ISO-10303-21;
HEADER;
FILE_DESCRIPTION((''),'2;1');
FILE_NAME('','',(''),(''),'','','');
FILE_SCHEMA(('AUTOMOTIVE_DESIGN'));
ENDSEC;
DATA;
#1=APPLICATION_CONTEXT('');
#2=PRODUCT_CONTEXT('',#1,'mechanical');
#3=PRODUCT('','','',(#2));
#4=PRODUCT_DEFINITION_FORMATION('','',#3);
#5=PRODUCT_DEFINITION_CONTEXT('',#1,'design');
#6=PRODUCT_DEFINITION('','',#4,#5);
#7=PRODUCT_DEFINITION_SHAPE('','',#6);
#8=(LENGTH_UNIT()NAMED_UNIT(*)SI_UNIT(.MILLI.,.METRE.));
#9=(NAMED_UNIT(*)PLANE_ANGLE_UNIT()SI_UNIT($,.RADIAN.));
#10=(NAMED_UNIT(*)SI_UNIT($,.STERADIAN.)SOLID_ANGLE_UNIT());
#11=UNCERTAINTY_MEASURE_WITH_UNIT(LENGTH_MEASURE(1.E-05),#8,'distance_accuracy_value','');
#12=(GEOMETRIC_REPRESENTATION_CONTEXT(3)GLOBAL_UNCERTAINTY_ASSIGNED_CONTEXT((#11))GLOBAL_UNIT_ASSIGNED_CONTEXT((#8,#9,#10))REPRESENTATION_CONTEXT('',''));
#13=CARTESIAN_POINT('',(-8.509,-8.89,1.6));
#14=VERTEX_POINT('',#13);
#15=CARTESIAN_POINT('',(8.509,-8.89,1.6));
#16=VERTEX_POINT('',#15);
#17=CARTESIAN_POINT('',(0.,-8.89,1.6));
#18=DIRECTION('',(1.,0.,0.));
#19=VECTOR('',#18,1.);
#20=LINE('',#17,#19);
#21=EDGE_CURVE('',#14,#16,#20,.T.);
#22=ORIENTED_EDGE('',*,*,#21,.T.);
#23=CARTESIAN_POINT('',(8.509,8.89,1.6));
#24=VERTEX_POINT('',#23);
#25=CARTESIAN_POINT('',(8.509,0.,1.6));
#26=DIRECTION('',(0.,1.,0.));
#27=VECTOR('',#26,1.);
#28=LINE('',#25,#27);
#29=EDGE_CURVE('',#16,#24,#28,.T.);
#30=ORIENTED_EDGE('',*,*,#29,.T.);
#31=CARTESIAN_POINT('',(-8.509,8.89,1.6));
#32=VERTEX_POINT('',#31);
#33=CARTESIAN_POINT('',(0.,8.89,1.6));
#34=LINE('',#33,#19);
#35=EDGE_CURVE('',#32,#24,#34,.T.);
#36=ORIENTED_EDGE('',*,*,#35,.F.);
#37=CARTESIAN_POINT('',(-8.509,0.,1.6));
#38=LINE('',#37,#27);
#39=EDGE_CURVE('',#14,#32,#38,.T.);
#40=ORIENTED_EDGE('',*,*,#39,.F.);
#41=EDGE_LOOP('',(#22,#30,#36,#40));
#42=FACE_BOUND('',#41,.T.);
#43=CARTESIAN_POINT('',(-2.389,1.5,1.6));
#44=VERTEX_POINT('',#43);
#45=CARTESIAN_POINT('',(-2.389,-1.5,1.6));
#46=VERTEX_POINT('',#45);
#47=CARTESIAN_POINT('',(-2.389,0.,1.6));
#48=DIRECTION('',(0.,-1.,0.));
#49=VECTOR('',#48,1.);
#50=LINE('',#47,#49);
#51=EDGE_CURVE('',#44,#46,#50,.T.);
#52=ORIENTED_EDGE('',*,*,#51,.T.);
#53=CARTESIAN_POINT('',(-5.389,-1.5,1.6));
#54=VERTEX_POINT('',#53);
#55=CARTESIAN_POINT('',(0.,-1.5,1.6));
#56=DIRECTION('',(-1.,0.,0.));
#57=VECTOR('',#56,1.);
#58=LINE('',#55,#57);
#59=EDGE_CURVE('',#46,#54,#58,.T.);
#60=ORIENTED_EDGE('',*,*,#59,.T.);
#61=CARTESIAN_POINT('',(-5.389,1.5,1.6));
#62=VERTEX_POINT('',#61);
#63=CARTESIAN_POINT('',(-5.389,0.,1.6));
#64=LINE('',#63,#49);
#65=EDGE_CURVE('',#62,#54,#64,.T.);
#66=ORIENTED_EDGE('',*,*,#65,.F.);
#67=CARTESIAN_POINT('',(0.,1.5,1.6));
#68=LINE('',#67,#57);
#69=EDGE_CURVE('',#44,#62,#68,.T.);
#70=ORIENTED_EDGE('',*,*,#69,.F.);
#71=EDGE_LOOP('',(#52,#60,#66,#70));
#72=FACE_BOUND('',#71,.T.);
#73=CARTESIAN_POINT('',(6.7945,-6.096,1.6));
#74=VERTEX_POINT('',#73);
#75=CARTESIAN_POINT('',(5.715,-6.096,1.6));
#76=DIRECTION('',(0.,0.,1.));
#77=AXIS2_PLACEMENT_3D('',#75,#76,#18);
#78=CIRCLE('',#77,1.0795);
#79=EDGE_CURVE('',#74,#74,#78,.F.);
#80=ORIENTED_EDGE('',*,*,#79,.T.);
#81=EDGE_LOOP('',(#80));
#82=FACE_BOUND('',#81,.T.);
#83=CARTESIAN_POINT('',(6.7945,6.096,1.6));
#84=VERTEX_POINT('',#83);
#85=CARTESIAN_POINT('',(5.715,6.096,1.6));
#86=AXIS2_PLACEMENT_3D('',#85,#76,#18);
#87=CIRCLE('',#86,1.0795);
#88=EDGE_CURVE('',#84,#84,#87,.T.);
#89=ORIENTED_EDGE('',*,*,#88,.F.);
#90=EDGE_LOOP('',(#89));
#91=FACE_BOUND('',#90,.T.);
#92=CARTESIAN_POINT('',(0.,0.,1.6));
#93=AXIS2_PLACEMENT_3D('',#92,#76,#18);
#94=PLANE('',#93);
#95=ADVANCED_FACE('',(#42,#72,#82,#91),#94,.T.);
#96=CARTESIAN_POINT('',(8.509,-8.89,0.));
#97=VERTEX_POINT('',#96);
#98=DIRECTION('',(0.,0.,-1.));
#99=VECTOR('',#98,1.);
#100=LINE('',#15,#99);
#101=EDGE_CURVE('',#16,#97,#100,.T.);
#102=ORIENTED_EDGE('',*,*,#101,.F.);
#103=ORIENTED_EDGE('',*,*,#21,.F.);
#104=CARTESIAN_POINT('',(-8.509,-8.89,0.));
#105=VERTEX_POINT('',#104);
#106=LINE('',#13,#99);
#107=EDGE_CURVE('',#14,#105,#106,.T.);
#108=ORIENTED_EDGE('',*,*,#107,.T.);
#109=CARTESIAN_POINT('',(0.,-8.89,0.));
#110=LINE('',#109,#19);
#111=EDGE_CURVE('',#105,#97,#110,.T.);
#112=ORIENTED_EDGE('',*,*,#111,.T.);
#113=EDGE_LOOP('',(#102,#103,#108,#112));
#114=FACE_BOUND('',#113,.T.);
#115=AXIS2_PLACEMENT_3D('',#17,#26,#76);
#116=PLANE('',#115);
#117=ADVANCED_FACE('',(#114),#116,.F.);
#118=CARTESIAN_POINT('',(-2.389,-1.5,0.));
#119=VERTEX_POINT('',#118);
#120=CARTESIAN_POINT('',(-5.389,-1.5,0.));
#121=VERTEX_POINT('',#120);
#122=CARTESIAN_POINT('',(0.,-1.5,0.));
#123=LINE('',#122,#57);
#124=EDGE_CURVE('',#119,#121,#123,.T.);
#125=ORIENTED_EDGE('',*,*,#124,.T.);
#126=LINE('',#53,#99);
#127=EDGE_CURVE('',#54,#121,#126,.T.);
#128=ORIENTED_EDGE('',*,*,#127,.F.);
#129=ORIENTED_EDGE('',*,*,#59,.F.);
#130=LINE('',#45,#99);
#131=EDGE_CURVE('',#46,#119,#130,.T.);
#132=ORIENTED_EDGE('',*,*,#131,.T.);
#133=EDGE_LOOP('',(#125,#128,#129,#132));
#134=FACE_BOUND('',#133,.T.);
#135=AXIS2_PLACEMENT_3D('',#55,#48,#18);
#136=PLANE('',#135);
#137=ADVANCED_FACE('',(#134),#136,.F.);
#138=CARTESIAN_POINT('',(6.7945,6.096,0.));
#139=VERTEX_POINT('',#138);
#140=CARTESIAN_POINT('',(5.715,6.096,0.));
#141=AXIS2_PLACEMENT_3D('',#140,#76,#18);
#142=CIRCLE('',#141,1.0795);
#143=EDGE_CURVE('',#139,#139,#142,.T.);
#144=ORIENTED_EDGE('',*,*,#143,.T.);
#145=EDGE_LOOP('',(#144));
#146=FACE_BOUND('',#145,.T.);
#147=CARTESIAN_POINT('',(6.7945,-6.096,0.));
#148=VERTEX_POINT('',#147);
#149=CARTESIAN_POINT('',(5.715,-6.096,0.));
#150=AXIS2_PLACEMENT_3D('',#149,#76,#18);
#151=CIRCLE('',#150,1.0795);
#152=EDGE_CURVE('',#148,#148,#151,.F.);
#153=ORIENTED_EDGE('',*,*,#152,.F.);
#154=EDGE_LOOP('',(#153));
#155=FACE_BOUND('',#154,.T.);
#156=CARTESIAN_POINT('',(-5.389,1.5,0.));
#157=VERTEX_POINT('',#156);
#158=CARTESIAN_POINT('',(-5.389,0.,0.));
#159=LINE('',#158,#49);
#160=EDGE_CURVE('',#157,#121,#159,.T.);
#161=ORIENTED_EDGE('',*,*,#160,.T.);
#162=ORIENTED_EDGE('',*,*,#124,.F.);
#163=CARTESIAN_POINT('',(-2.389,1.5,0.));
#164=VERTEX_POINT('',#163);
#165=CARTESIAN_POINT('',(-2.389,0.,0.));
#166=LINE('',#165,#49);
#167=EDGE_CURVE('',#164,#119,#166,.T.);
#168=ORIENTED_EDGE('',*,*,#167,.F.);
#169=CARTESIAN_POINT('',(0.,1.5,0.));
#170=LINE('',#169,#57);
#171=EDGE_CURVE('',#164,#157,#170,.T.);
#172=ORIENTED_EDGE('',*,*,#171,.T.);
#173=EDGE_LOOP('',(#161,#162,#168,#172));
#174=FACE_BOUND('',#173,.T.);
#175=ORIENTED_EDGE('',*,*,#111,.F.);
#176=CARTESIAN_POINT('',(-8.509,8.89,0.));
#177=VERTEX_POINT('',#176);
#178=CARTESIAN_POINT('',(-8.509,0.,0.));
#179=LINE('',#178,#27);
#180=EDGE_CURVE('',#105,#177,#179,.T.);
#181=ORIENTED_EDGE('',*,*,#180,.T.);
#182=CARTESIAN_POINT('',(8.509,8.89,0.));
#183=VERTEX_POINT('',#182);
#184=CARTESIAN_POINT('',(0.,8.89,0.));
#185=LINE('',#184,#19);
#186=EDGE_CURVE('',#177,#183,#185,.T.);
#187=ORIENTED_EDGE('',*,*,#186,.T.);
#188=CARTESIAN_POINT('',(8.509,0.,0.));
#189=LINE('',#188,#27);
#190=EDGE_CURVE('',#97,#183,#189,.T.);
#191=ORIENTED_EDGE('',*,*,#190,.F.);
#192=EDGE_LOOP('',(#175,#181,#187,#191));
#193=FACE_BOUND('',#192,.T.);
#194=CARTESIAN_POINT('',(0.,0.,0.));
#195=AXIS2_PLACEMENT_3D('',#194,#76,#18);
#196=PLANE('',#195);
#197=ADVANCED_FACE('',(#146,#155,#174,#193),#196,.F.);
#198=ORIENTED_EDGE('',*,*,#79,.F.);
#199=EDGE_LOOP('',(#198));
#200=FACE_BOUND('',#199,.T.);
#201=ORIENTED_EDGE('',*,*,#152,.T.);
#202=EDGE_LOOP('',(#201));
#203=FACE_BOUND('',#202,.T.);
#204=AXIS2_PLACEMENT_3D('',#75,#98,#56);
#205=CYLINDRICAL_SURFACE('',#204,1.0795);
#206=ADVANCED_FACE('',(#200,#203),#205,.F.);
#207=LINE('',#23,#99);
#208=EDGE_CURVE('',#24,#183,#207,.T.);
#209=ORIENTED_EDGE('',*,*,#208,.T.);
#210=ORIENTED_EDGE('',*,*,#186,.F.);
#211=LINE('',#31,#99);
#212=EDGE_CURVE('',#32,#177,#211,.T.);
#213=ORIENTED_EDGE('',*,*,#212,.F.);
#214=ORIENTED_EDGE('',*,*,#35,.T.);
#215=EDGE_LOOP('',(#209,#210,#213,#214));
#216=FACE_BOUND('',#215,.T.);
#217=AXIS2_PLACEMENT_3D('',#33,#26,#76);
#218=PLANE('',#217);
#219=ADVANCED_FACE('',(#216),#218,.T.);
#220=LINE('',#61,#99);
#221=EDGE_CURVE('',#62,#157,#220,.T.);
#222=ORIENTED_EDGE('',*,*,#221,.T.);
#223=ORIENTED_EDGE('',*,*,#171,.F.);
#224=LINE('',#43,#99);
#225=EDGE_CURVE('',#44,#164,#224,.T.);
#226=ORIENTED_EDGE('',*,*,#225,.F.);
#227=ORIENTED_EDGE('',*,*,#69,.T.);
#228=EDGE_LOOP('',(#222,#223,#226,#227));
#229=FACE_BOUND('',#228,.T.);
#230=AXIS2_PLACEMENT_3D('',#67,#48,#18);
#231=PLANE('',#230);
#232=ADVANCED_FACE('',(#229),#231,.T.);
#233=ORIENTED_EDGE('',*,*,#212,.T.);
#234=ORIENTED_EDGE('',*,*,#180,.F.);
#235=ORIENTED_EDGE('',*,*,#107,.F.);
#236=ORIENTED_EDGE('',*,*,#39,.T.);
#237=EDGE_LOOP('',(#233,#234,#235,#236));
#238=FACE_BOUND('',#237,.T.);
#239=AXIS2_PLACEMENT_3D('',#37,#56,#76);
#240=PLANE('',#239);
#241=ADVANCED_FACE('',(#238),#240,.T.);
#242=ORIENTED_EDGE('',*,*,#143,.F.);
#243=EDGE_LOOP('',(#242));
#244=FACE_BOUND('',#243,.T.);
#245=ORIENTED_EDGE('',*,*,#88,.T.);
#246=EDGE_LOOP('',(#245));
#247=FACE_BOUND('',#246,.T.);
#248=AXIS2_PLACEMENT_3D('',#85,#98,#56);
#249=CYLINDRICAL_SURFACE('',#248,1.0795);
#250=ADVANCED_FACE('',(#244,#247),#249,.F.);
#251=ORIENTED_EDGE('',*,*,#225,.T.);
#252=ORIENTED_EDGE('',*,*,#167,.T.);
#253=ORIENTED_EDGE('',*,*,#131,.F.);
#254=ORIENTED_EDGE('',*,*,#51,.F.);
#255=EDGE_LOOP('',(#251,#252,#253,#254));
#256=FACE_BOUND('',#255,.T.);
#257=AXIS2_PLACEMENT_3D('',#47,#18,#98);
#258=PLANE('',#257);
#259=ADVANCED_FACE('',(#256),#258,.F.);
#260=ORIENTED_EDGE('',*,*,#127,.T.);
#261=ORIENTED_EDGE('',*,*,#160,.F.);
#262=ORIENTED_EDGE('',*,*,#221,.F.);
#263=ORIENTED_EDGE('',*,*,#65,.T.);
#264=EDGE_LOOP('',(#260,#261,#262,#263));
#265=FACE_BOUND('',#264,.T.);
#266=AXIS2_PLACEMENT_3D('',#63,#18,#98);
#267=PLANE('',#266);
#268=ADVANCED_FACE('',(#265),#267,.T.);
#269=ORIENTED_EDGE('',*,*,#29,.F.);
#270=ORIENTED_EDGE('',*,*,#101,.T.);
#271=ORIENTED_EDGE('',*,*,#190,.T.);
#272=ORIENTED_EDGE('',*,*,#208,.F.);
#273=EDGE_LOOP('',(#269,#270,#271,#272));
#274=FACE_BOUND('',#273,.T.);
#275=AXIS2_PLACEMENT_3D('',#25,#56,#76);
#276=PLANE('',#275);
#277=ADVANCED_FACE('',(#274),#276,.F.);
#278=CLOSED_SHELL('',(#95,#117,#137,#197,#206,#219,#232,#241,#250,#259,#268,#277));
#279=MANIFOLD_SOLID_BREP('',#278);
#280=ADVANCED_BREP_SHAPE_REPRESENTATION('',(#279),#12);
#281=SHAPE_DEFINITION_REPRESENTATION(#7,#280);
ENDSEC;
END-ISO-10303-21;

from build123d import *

# Parameters (mm, degrees)
SKETCH1_W           = 17.018
SKETCH1_H           = 17.78
SKETCH1_R           = 1.0795
SKETCH1_W_2         = 3
SKETCH1_H_2         = 3
BOSS_EXTRUDE1_DEPTH = 1.6


with BuildPart() as part:
    # Sketch1 → Boss-Extrude1 (new body)
    with BuildSketch(Plane.XY):
        Rectangle(SKETCH1_W, SKETCH1_H)
        with Locations((5.715, 6.096)):
            Circle(SKETCH1_R, mode=Mode.SUBTRACT)
        with Locations((5.715, -6.096)):
            Circle(SKETCH1_R, mode=Mode.SUBTRACT)
        with Locations((-3.889, 0)):
            Rectangle(SKETCH1_W_2, SKETCH1_H_2, mode=Mode.SUBTRACT)
    extrude(amount=BOSS_EXTRUDE1_DEPTH)


solid = part.part
